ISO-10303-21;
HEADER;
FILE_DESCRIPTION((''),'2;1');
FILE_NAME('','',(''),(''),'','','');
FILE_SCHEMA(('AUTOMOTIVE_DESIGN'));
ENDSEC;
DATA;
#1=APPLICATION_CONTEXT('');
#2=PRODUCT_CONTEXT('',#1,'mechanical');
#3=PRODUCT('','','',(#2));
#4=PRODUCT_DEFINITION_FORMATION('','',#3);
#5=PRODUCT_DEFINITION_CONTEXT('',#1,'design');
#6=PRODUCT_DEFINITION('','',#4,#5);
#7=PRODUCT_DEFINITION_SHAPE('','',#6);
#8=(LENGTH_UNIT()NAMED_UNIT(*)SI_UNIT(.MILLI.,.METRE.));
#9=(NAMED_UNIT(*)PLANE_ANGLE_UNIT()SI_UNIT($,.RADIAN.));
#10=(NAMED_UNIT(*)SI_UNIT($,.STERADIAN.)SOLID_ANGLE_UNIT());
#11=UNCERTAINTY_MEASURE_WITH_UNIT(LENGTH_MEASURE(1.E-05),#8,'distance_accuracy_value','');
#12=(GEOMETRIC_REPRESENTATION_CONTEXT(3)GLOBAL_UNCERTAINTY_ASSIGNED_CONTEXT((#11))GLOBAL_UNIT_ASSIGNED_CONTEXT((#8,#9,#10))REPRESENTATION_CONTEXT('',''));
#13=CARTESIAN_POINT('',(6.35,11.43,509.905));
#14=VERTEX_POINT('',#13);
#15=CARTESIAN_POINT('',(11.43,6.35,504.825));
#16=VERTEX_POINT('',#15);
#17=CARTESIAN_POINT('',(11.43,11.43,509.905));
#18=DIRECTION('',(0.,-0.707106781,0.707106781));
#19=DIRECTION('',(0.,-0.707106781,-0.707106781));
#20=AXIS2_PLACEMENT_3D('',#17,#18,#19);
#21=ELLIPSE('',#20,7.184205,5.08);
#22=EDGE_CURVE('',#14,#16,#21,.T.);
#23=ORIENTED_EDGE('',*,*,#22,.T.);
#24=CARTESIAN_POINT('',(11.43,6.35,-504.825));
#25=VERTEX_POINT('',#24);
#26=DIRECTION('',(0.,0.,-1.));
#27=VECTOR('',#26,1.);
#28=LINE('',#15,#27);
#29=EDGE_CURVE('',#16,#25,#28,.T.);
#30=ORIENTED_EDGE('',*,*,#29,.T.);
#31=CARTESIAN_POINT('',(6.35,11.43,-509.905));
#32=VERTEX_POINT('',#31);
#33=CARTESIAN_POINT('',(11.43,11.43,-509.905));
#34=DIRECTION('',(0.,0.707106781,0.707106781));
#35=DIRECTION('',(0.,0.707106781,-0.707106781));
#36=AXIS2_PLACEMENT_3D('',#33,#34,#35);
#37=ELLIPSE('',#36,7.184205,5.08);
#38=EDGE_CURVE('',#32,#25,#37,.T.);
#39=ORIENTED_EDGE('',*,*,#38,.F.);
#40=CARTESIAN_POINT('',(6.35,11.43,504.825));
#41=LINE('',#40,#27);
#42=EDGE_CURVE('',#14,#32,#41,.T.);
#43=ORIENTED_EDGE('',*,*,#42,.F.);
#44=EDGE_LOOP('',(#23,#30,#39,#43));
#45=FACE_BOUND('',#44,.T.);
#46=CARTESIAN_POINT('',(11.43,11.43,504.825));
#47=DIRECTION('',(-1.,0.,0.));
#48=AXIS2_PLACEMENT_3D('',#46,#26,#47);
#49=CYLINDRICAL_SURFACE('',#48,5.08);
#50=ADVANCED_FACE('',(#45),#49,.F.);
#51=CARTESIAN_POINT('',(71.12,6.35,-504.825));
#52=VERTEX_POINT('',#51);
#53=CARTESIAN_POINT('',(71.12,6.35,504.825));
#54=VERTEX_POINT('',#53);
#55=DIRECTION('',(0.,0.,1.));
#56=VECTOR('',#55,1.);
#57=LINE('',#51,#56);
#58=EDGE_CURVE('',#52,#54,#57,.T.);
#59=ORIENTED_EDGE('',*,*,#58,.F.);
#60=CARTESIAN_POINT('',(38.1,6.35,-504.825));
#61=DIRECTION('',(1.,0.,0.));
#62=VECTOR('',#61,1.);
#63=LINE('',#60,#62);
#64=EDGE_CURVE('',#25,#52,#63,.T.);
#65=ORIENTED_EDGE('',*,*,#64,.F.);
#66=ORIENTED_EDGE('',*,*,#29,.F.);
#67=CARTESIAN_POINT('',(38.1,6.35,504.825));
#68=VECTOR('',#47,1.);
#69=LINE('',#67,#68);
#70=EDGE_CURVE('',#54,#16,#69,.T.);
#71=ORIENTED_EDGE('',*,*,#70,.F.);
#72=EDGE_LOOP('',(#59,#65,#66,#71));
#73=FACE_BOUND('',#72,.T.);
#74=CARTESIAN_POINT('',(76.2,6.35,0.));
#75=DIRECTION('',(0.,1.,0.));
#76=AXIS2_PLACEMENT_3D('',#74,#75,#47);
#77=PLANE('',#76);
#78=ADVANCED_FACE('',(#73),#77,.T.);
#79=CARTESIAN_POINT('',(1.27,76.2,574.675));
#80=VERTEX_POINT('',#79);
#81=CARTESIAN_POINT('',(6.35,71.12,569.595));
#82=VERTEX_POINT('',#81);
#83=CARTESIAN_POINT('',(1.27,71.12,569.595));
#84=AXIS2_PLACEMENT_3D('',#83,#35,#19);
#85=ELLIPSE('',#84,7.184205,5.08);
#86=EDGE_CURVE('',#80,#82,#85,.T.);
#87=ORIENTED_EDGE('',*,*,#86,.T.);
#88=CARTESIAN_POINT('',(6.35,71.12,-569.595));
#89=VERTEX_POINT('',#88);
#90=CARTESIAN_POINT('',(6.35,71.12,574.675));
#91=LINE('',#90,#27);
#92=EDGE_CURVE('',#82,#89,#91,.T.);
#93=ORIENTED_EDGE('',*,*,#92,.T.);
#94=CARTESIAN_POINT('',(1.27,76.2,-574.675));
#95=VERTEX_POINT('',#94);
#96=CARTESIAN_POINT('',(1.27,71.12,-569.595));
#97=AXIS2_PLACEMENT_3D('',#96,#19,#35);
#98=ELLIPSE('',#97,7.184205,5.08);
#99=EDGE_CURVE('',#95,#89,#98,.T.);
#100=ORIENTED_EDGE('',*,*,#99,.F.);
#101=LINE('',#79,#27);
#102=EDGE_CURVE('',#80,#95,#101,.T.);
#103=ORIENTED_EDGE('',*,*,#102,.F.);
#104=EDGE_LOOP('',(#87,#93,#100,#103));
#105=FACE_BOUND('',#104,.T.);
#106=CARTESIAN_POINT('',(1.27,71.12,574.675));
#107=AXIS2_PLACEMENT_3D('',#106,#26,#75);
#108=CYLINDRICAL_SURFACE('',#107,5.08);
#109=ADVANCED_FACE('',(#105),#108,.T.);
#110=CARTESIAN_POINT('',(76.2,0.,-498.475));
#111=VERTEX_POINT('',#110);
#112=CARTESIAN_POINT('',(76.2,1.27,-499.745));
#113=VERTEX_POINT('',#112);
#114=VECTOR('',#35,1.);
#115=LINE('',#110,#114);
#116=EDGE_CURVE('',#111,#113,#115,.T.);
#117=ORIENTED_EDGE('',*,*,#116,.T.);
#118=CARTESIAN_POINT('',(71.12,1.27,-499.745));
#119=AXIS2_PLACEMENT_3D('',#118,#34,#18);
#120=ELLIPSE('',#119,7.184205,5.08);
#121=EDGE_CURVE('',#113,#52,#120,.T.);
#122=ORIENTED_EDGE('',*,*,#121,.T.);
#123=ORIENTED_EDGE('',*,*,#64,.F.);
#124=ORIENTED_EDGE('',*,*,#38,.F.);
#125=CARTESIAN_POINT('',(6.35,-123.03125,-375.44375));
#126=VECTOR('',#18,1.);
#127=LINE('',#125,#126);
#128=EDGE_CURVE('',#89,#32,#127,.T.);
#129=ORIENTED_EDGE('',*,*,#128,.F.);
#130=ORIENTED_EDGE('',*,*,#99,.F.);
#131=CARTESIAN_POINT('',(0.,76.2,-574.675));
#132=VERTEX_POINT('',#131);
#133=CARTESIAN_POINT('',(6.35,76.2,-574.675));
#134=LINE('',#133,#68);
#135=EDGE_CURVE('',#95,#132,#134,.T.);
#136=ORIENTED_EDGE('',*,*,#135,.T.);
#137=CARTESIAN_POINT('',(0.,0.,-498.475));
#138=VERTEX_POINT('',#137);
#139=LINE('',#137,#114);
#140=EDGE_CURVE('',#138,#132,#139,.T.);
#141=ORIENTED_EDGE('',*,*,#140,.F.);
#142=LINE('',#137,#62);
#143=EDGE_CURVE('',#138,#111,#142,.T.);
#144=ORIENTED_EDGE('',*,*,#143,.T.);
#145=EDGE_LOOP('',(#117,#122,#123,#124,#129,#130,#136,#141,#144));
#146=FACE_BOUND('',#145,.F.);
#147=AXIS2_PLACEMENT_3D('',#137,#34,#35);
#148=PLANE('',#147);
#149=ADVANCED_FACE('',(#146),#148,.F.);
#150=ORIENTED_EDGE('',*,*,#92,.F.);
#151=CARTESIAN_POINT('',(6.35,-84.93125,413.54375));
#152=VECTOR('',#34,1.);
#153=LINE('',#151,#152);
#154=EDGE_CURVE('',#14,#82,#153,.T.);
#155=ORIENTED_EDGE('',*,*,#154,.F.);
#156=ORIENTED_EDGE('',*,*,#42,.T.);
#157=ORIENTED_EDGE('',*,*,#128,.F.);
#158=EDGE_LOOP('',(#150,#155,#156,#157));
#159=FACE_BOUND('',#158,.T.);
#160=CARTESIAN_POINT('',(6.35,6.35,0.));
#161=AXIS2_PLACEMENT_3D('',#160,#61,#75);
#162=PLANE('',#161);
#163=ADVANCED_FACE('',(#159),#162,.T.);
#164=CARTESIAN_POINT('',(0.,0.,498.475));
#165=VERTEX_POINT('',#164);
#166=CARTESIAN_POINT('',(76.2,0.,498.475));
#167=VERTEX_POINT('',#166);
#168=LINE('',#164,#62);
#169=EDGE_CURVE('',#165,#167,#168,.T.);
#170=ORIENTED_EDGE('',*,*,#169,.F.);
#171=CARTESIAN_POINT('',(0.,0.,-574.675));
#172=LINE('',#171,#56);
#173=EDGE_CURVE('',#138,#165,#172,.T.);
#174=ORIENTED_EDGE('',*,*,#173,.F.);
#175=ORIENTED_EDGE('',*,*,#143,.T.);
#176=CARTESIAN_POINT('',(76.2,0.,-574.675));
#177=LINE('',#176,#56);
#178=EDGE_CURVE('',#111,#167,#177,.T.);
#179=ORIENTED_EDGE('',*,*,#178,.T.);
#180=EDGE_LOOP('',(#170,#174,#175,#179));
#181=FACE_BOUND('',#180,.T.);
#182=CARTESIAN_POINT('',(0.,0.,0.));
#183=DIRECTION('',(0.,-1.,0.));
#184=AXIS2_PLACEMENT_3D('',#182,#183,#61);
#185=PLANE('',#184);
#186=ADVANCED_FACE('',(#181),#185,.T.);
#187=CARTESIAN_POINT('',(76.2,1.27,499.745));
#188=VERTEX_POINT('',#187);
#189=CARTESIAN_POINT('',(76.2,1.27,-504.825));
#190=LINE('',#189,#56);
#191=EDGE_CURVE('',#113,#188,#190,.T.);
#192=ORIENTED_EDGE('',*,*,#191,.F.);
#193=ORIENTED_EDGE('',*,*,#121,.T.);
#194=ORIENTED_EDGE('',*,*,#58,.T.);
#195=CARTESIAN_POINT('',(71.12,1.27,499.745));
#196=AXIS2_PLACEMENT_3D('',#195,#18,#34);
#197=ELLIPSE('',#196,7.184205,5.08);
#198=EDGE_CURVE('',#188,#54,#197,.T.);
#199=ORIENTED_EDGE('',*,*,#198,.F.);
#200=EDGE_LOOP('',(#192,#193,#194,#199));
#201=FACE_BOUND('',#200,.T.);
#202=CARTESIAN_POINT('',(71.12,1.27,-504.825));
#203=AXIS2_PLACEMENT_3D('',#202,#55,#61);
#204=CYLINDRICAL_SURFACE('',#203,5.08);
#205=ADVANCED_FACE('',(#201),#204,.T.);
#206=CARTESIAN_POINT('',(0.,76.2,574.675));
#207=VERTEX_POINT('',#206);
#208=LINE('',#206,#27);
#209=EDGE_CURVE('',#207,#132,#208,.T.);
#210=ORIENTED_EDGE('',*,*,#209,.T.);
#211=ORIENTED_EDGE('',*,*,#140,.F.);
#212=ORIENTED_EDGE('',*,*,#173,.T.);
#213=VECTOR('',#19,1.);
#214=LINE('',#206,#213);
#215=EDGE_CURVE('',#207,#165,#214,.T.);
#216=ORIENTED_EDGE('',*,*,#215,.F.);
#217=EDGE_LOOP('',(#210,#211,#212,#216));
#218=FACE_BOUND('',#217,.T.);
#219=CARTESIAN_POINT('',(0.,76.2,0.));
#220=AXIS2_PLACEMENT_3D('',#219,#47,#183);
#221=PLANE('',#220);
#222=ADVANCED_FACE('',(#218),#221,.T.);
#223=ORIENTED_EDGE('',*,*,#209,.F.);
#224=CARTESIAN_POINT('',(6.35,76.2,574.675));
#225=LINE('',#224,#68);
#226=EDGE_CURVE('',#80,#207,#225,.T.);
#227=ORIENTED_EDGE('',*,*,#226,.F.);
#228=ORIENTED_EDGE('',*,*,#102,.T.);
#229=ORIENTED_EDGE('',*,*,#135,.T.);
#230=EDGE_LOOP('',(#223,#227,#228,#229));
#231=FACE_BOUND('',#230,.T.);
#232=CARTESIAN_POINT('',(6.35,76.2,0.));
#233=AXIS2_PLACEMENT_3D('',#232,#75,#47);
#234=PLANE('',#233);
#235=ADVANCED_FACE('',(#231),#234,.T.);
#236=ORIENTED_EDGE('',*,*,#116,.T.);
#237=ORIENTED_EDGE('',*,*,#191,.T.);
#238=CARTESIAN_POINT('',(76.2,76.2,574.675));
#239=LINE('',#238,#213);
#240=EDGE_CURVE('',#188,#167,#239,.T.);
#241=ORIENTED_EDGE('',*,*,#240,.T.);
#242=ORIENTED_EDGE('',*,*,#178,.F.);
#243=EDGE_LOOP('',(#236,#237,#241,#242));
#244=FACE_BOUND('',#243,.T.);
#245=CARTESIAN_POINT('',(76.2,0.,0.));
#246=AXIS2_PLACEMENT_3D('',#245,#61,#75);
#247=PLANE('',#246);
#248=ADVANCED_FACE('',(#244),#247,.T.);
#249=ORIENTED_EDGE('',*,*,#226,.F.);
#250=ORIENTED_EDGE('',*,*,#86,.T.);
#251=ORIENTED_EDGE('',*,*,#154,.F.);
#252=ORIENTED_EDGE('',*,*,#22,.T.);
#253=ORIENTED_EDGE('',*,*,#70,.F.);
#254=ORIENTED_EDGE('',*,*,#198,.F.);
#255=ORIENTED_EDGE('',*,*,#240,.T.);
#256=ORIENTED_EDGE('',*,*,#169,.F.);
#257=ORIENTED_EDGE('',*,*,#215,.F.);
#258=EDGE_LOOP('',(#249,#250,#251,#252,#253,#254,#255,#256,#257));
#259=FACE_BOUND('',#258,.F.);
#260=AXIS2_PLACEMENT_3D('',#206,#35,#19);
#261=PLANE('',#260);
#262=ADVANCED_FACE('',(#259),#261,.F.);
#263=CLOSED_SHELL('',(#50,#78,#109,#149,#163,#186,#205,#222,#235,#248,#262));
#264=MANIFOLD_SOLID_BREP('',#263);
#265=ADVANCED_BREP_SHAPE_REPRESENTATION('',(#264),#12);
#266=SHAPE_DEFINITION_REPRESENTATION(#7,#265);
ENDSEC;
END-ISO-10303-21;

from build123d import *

# Parameters (mm, degrees)
F1_DEPTH = 574.675
F3_DEPTH = 76.2
F4_R     = 5.08


with BuildPart() as f1:
    # F0 (on Top) → F1 (new body, symmetric)
    with BuildSketch(Plane.XY):
        Polygon((0, 76.2), (0, 0), (76.2, 0), (76.2, 6.35), (6.35, 6.35), (6.35, 76.2), align=None)
    extrude(amount=F1_DEPTH, both=True)

    # F2 (on face) → F3 (cut)
    with BuildSketch(Plane(origin=(0, 0, 0), x_dir=(0, -1, 0), z_dir=(-1, 0, 0))):
        Polygon((-76.2, -574.675), (0, -574.675), (0, -498.475), align=None)
        Polygon((0, 574.675), (-76.2, 574.675), (0, 498.475), align=None)
    extrude(amount=-F3_DEPTH, mode=Mode.SUBTRACT)

    # F4
    f4_edges = [f1.edges().sort_by_distance(p)[0] for p in [
        (6.35, 76.2, 0),
        (6.35, 6.35, 0),
        (76.2, 6.35, 0),
    ]]
    fillet(f4_edges, radius=F4_R)


solid = f1.part
